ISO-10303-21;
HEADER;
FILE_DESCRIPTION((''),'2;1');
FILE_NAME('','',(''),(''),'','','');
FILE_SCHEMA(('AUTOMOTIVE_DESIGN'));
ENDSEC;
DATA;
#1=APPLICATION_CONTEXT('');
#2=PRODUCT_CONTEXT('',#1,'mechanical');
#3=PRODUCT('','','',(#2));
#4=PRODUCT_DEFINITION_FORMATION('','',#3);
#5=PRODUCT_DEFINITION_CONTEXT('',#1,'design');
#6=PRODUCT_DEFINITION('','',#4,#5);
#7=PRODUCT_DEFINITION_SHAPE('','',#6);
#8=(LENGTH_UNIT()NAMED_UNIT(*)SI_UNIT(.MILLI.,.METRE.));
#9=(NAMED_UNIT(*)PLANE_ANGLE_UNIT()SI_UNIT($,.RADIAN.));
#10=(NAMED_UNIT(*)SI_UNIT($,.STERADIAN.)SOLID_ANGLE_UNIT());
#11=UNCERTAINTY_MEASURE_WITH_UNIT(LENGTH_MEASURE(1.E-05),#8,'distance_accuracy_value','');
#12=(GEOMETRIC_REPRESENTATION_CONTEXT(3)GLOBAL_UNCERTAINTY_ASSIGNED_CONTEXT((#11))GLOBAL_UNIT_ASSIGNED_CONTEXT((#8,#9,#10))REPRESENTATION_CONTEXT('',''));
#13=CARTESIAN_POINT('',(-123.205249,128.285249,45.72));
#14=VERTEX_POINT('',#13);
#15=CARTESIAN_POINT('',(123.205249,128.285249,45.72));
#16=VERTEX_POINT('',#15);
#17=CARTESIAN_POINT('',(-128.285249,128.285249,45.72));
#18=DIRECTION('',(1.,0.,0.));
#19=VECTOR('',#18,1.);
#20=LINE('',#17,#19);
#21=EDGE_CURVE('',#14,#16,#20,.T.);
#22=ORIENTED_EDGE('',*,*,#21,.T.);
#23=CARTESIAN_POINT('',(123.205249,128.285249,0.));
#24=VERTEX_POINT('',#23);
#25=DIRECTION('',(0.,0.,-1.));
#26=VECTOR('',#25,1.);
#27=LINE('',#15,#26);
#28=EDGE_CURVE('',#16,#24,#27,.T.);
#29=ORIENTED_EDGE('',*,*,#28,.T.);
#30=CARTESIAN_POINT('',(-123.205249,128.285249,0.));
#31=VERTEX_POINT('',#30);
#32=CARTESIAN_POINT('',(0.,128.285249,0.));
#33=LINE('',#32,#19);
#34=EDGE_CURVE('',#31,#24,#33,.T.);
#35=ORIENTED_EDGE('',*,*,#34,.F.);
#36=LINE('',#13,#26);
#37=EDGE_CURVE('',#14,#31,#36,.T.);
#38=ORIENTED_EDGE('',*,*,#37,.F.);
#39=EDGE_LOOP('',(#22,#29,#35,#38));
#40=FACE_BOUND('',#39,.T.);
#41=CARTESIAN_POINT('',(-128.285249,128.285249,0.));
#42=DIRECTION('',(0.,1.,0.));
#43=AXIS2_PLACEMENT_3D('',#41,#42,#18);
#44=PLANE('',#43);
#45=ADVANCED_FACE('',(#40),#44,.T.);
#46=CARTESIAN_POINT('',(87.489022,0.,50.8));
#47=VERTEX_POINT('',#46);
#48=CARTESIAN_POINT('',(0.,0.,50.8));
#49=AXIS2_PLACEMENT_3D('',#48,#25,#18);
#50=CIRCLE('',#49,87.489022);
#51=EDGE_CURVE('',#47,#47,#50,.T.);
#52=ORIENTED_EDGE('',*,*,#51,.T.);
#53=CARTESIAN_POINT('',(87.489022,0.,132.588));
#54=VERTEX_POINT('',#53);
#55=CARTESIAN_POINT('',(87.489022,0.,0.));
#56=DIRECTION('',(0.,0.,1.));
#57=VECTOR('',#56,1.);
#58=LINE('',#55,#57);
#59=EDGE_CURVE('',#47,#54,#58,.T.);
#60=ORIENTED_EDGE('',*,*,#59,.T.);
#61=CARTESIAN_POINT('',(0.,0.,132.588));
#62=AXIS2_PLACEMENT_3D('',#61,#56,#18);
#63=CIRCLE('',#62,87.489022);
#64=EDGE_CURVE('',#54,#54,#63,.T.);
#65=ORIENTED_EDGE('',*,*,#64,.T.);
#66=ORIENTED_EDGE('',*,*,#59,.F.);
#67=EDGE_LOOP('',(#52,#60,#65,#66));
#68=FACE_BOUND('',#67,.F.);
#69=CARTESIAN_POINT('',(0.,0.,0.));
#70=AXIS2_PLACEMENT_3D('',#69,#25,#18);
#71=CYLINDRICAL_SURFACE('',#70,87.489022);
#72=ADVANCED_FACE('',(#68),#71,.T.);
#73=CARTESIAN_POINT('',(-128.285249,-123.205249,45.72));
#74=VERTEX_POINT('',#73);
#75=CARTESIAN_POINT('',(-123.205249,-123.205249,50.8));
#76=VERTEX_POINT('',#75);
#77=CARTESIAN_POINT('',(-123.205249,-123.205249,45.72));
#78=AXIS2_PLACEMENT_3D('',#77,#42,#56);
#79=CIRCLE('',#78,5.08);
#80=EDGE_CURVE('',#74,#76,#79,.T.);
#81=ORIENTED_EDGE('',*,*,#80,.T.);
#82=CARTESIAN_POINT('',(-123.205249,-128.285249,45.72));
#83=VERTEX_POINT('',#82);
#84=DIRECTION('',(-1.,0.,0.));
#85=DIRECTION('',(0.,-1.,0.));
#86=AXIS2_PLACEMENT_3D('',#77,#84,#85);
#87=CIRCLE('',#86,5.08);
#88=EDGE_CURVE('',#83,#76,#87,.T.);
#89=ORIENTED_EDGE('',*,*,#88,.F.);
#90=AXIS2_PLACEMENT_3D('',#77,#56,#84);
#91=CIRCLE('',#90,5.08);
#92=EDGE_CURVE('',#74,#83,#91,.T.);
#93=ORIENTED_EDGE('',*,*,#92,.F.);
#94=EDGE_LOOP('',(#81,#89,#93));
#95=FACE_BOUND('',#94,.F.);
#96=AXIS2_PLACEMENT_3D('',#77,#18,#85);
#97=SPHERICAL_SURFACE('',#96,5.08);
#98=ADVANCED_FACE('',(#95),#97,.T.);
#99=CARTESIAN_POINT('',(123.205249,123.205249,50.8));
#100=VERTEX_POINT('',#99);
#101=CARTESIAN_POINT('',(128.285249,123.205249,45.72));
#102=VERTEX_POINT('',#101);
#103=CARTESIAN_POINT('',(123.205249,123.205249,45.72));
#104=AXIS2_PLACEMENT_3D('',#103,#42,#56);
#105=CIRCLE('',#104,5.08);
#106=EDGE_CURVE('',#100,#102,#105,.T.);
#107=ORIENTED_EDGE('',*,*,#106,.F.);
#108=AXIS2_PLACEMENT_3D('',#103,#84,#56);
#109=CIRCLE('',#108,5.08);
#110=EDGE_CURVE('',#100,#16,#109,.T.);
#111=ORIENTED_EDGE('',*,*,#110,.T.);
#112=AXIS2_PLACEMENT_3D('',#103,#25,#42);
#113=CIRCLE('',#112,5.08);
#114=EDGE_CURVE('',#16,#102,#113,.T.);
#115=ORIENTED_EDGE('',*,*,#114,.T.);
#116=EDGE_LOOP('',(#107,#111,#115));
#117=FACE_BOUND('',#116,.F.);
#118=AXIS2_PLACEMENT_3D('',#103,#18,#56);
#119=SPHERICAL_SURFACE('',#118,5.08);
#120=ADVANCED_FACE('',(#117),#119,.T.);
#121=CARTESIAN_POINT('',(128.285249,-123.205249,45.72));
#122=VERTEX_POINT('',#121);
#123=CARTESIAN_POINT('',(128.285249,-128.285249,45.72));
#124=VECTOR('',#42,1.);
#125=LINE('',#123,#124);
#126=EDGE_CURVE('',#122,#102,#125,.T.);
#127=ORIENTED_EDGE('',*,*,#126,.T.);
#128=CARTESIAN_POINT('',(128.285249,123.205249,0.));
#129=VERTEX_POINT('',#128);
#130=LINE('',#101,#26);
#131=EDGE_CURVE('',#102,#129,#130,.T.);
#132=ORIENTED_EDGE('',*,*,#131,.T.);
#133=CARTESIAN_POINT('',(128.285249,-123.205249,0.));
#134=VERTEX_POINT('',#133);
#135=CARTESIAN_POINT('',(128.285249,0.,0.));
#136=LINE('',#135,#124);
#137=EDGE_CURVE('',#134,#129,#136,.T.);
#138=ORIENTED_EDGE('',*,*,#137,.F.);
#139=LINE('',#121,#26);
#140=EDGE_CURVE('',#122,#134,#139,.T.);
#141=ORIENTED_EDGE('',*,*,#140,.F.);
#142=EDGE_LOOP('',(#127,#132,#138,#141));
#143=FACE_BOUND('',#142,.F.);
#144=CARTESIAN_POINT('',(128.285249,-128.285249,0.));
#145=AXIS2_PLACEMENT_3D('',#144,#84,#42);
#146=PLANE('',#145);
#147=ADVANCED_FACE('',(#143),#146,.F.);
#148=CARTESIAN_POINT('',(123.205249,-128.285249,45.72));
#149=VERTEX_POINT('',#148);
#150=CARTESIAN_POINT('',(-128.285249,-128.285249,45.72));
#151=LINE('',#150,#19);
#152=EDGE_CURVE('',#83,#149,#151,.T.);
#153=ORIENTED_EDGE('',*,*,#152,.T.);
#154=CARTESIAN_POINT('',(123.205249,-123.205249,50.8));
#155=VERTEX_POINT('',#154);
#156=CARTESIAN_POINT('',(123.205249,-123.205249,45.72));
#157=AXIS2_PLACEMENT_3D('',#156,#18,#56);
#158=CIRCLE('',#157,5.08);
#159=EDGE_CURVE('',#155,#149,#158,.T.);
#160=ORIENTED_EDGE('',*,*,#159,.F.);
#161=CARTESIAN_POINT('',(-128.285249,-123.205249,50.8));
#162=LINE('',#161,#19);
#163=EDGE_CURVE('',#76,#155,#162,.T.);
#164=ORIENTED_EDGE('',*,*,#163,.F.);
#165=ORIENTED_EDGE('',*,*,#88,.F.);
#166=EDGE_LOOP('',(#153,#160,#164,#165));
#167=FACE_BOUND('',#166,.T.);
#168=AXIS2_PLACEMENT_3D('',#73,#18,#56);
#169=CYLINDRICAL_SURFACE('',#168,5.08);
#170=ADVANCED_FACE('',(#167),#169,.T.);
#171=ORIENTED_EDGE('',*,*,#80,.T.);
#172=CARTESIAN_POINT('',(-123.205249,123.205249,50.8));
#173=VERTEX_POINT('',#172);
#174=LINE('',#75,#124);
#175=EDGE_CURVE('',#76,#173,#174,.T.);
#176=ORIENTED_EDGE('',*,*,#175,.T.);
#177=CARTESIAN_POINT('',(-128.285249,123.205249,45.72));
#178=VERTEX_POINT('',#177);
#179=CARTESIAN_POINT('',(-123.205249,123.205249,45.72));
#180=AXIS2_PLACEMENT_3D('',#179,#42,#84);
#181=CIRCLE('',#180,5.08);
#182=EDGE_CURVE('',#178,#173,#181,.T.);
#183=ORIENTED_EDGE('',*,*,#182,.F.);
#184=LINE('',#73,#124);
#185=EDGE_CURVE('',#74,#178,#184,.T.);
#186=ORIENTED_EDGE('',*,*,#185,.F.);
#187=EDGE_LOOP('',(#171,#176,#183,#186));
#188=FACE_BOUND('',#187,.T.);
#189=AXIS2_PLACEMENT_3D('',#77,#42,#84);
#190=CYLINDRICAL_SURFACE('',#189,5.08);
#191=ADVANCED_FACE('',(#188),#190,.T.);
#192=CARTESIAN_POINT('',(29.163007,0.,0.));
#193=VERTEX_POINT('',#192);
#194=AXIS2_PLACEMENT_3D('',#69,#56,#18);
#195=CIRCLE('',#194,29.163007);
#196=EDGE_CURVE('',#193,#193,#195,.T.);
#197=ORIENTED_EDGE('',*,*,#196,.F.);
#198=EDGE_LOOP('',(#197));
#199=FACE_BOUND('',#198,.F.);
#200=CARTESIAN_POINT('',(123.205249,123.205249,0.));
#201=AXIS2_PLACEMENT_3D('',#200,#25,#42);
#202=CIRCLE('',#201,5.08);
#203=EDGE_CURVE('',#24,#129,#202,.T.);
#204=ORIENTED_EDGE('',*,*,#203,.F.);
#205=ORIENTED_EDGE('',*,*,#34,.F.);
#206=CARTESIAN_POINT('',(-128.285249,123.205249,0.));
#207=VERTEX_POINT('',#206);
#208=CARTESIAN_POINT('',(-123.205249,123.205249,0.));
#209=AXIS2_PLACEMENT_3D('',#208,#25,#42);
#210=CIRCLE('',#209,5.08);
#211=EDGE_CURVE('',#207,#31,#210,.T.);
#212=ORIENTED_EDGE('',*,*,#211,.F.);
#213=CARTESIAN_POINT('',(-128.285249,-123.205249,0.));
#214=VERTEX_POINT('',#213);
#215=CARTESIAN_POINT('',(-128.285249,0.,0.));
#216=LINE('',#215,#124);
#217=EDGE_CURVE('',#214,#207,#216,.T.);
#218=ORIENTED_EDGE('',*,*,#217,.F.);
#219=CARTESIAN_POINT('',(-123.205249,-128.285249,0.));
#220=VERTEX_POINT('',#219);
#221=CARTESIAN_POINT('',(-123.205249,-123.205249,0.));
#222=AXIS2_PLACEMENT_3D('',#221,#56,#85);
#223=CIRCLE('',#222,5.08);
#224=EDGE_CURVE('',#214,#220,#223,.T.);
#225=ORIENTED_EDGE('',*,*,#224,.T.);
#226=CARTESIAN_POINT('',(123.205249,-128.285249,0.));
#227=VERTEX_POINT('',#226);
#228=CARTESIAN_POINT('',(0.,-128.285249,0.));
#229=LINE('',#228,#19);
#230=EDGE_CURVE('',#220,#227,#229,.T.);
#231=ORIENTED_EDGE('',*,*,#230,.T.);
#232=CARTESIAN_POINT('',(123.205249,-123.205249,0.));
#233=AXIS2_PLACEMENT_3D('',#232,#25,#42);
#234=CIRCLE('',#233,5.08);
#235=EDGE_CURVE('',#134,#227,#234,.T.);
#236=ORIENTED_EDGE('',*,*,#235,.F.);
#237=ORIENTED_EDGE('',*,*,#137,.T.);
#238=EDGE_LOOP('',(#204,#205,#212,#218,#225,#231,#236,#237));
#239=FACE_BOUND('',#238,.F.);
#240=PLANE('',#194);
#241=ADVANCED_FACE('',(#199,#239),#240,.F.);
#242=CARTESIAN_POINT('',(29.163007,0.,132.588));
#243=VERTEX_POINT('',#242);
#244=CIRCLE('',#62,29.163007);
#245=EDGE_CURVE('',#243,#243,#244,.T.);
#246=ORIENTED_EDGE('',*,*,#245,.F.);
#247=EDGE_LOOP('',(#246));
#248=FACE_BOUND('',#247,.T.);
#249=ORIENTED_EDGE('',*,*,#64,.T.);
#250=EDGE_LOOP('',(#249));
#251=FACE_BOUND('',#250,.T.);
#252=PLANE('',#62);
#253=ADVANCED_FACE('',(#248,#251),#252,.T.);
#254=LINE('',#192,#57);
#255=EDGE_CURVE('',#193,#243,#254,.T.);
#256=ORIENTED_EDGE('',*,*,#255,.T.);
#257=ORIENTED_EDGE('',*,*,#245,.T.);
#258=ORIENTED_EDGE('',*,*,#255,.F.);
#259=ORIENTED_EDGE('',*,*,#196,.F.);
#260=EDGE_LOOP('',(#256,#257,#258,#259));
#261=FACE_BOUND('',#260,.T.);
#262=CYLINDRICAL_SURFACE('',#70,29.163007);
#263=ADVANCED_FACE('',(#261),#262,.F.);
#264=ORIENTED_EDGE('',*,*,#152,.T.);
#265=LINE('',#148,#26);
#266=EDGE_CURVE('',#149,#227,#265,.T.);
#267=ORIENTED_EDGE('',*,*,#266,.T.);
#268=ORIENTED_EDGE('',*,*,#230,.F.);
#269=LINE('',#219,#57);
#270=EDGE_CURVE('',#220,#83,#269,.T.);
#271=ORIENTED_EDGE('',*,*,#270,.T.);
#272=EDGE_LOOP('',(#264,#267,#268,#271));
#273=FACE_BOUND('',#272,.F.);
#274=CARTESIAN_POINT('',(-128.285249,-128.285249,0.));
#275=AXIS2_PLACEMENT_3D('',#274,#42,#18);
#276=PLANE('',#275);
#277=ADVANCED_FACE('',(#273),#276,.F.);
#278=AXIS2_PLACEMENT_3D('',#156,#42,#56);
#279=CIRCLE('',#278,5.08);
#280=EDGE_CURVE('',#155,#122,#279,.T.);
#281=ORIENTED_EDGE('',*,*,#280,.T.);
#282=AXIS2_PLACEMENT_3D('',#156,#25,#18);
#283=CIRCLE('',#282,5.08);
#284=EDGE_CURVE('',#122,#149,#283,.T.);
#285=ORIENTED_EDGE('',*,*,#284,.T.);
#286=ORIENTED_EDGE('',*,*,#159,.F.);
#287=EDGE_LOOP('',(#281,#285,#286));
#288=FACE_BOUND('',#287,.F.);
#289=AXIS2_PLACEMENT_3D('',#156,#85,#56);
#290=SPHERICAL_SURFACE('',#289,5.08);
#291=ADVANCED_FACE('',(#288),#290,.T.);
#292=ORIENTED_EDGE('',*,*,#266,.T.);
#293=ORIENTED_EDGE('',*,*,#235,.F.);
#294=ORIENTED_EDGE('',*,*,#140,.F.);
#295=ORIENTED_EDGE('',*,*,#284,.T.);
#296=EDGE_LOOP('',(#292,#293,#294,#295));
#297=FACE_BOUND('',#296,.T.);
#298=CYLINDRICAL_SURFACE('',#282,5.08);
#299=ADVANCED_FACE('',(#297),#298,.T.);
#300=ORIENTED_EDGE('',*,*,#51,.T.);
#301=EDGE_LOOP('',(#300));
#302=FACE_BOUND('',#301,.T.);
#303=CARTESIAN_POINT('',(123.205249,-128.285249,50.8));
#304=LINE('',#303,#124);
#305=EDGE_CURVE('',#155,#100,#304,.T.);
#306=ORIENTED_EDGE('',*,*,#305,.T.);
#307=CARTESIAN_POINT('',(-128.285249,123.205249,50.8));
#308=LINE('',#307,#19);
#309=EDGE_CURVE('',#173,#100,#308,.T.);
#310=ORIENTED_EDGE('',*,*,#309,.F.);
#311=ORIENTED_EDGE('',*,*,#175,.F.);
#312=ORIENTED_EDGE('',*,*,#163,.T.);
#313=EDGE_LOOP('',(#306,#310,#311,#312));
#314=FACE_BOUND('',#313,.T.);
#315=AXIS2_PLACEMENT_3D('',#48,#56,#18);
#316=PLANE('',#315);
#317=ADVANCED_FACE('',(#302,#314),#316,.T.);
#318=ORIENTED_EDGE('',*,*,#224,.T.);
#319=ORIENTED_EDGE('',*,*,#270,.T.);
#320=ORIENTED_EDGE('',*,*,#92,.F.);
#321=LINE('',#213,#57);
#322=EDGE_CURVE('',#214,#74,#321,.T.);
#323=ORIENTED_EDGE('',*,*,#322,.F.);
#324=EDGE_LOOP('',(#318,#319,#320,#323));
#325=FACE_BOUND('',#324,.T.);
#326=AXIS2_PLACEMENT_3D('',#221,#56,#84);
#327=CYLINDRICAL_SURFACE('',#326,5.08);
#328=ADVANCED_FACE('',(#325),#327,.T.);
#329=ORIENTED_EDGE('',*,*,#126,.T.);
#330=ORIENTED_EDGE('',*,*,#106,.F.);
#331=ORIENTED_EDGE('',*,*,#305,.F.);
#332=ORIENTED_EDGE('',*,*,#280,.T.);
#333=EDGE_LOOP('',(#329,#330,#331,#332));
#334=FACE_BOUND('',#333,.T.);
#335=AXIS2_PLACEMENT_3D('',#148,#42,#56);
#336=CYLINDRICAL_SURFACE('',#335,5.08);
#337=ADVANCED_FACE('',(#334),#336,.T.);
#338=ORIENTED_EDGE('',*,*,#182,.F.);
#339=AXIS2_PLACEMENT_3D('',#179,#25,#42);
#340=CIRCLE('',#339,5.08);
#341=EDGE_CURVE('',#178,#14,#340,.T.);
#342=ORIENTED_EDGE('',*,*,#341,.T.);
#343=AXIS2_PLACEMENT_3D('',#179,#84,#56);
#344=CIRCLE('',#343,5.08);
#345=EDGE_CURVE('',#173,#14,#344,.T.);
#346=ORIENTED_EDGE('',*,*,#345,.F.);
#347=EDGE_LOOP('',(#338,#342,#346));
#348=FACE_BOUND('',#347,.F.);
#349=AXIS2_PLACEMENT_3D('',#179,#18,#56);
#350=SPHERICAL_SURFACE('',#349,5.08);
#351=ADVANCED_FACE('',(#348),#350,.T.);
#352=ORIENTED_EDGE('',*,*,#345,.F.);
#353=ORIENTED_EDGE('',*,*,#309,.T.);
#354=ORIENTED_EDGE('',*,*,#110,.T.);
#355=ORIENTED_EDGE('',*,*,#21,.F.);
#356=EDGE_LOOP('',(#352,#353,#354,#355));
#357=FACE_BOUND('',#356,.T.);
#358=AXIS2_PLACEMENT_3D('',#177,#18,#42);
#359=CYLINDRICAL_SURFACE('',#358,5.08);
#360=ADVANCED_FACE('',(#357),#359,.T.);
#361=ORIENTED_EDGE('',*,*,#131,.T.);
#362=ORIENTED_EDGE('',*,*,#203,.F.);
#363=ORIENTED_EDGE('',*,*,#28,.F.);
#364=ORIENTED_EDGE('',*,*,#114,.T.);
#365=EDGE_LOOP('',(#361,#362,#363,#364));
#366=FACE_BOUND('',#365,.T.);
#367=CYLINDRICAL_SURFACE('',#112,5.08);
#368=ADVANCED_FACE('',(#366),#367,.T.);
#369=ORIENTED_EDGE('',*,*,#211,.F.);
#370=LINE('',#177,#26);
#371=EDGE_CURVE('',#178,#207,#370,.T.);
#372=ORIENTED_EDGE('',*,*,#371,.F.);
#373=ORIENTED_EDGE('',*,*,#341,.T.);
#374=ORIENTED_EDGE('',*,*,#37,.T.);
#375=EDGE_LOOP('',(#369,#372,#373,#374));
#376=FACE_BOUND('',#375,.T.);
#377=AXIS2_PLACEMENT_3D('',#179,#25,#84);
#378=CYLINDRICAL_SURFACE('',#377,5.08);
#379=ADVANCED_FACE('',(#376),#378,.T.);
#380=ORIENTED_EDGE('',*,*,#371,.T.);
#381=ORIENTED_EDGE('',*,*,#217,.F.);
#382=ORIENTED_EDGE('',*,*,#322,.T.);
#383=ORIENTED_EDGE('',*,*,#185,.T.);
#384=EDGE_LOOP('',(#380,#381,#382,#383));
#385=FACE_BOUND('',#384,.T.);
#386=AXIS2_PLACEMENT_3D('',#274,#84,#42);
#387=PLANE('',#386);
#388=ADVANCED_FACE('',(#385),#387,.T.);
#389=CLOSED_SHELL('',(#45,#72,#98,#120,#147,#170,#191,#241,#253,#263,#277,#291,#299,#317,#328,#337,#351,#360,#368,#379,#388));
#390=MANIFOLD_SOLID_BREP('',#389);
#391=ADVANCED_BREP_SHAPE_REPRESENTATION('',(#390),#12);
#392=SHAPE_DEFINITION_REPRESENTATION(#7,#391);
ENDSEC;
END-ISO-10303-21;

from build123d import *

# Parameters (mm, degrees)
F0_W     = 256.570498
F0_H     = 256.570498
F0_R     = 29.163007
F1_DEPTH = 50.8
F2_R     = 5.08
F3_R     = 5.08
F4_R     = 5.08
F5_R     = 5.08
F6_R     = 87.489022
F6_R_2   = 29.163007
F7_DEPTH = 132.588


with BuildPart() as f1:
    # F0 (on Top) → F1 (new body)
    with BuildSketch(Plane.XY):
        Rectangle(F0_W, F0_H)
        Circle(F0_R, mode=Mode.SUBTRACT)
    extrude(amount=F1_DEPTH)

    # F2
    f2_edges = [f1.edges().sort_by_distance(p)[0] for p in [
        (0, 128.285249, 50.8),
    ]]
    fillet(f2_edges, radius=F2_R)

    # F3
    f3_edges = [f1.edges().sort_by_distance(p)[0] for p in [
        (128.285249, -2.54, 50.8),
    ]]
    fillet(f3_edges, radius=F3_R)

    # F4
    f4_edges = [f1.edges().sort_by_distance(p)[0] for p in [
        (-2.54, -128.285249, 50.8),
    ]]
    fillet(f4_edges, radius=F4_R)

    # F5
    f5_edges = [f1.edges().sort_by_distance(p)[0] for p in [
        (-128.285249, 0, 50.8),
    ]]
    fillet(f5_edges, radius=F5_R)

    # F6 (on Top) → F7 (join)
    with BuildSketch(Plane.XY):
        Circle(F6_R)
        Circle(F6_R_2, mode=Mode.SUBTRACT)
    extrude(amount=F7_DEPTH)


solid = f1.part
